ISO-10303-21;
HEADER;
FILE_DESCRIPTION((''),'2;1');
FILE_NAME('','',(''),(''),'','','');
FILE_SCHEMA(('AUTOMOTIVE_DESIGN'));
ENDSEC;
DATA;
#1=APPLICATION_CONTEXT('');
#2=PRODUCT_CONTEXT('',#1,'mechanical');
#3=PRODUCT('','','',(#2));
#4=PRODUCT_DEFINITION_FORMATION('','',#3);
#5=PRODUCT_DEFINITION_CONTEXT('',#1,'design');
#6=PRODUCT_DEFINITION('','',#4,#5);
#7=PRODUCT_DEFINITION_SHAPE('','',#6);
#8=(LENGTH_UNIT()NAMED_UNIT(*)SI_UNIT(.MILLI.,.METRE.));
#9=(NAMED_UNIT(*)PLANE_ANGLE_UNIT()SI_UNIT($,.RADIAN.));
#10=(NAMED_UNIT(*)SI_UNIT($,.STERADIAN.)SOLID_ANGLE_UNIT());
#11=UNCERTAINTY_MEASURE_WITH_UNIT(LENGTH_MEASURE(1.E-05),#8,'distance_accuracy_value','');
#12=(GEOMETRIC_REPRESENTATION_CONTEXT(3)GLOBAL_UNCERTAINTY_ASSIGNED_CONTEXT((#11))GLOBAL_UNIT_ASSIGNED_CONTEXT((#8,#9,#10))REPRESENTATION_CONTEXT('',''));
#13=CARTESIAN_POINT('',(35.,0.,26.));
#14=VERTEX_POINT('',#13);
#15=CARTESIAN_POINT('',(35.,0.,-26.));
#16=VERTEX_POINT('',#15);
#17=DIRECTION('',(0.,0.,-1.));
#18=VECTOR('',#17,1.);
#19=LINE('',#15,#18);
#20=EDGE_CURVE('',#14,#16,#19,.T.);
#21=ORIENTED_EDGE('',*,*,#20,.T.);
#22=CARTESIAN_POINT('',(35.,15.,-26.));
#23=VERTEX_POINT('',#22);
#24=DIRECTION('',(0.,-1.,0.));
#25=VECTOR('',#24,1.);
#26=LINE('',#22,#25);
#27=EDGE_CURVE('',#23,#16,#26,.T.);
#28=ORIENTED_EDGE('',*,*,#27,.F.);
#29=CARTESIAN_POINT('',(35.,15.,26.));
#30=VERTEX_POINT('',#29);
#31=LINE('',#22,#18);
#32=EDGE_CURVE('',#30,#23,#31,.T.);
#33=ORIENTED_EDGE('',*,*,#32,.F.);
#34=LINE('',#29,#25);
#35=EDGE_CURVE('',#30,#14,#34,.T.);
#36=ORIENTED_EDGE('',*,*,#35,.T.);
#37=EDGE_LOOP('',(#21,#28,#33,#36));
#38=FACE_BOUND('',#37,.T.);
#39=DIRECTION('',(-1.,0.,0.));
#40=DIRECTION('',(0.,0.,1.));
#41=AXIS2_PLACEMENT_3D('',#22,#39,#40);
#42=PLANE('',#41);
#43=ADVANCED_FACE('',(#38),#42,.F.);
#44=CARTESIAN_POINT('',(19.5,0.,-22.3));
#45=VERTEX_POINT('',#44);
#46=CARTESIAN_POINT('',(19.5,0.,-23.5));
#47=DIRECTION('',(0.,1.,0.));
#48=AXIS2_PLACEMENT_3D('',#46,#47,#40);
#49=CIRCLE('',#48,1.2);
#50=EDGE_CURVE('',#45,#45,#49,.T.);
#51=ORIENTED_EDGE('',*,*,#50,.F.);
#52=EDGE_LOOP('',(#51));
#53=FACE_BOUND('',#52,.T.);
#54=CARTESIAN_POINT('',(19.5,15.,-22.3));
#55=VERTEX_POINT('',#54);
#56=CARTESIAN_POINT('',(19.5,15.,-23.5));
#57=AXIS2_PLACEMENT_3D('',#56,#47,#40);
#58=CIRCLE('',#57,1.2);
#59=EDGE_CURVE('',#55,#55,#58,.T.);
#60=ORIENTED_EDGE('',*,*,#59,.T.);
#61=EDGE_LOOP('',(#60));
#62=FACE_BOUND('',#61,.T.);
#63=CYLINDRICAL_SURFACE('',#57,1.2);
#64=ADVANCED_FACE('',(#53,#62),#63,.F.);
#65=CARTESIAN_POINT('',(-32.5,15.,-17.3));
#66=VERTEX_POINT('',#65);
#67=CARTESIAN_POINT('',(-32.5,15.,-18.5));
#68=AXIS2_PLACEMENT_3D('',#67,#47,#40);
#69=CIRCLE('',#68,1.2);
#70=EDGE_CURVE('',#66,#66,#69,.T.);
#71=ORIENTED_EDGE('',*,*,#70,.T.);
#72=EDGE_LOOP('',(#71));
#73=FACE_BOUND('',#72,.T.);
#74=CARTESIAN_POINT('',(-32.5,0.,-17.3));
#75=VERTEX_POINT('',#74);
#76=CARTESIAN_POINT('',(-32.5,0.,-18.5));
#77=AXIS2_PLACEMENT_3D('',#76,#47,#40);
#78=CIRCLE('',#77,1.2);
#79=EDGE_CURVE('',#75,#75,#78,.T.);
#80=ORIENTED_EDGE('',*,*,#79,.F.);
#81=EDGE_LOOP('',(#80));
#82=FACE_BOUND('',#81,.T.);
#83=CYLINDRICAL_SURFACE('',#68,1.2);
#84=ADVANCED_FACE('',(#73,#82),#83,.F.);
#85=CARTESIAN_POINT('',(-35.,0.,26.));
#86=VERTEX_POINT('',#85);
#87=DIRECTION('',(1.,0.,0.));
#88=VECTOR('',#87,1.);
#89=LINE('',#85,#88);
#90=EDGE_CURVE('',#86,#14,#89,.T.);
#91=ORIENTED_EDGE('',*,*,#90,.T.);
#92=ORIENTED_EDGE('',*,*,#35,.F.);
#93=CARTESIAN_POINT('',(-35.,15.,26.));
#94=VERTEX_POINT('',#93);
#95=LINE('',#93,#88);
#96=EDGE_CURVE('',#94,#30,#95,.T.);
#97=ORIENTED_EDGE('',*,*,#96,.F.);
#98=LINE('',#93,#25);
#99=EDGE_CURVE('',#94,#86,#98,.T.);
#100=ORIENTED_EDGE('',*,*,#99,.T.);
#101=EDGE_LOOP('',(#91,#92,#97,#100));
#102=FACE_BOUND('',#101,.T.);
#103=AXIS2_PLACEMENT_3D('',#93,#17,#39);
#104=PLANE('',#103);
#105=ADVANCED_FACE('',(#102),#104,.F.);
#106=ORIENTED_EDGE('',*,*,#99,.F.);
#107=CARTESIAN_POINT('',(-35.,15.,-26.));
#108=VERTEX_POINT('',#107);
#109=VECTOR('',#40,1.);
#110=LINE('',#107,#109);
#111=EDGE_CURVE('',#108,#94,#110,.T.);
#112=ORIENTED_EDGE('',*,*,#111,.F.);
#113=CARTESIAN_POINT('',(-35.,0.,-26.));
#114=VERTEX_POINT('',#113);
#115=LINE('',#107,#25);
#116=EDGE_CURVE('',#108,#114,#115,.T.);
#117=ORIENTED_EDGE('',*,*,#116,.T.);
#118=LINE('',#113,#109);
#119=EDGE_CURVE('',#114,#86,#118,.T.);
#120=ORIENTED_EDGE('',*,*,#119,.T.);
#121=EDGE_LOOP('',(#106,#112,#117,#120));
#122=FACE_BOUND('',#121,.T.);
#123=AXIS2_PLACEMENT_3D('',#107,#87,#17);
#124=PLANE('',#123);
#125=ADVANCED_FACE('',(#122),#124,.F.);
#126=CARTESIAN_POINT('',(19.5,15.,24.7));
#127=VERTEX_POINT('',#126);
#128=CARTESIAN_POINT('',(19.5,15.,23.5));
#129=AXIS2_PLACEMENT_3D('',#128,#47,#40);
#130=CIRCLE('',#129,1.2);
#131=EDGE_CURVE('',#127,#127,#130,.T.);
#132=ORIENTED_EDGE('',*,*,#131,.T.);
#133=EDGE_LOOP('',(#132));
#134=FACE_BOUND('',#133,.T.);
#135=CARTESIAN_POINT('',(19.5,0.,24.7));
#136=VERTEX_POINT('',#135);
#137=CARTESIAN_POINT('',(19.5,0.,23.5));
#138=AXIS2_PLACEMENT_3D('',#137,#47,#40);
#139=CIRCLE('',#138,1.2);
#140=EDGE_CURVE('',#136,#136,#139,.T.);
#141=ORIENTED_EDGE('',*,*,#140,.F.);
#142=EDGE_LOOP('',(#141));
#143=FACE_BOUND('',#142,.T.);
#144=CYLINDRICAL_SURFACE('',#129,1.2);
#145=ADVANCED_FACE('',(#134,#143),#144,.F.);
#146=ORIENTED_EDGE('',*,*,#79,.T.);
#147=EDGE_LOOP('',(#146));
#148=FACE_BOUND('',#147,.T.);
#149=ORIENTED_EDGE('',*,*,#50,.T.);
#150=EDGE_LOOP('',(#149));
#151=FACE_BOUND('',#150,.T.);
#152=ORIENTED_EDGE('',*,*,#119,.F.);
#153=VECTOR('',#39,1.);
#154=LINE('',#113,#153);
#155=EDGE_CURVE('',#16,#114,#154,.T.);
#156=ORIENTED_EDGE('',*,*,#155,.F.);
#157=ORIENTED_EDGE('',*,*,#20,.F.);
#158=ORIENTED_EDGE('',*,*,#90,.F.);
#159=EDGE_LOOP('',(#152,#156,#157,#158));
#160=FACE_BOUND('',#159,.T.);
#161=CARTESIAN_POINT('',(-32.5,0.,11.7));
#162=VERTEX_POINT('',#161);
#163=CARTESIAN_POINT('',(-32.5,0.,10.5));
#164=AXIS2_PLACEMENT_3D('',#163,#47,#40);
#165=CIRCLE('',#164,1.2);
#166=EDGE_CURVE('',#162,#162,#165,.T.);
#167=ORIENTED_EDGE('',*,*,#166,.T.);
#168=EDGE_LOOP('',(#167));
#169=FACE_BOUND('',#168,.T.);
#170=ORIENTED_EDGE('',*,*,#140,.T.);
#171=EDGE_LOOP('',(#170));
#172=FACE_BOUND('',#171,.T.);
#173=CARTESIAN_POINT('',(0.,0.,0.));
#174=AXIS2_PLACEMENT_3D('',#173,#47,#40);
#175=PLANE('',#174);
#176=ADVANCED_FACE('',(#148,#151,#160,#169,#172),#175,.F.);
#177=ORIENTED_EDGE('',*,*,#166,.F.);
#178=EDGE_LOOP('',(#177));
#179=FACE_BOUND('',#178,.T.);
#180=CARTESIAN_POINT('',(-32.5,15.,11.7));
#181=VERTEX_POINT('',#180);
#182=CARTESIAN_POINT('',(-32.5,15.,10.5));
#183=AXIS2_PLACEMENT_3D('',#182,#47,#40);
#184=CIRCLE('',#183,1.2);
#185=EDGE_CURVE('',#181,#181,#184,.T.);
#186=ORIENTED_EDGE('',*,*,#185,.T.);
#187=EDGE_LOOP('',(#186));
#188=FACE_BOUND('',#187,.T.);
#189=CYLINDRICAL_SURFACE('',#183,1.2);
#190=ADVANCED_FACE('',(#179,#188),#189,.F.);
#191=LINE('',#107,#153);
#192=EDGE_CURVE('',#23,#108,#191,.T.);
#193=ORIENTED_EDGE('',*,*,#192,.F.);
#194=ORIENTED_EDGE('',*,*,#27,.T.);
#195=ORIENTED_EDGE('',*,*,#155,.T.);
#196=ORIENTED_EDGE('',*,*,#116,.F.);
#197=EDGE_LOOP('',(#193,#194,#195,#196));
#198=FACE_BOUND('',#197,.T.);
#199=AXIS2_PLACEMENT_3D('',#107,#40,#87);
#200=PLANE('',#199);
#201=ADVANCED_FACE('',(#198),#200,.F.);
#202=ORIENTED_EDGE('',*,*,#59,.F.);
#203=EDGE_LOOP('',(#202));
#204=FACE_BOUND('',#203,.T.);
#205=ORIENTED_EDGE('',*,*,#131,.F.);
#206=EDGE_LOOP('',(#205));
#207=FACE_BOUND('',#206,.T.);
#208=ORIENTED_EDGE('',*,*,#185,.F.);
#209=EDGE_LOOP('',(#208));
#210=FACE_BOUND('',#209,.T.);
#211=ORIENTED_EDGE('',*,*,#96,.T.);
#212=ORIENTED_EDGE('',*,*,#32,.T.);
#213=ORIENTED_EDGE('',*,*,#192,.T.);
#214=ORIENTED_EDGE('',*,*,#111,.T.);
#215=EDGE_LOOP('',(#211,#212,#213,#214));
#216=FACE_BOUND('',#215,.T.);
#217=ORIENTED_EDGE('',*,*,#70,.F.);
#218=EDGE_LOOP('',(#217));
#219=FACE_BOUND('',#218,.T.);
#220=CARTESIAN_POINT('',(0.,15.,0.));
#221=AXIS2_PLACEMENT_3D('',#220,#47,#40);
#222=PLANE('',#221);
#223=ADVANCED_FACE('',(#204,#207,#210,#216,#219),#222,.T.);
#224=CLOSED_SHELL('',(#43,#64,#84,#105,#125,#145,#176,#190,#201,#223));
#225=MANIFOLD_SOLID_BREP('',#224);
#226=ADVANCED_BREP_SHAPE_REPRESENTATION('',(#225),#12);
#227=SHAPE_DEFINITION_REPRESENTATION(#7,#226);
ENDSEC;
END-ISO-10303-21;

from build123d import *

# Parameters (mm, degrees)
SCHIZZO2_W                   = 70
SCHIZZO2_H                   = 52
ESTRUSIONE_ESTRUSIONE1_DEPTH = 15
FORO_PER_VITE_M2_1_D         = 2.4


with BuildPart() as part:
    # Schizzo2 → Estrusione-Estrusione1 (new body)
    with BuildSketch(Plane(origin=(0, 0, 0), x_dir=(1, 0, 0), z_dir=(0, 1, 0))):
        Rectangle(SCHIZZO2_W, SCHIZZO2_H)
    extrude(amount=ESTRUSIONE_ESTRUSIONE1_DEPTH)

    # Foro per Vite M2-1 (through all)
    with Locations(Plane(origin=(0, 15, 0), x_dir=(1, 0, 0), z_dir=(0, 1, 0))):
        with Locations((19.5, -23.5), (19.5, 23.5), (-32.5, 18.5), (-32.5, -10.5)):
            Hole(FORO_PER_VITE_M2_1_D / 2)


solid = part.part
